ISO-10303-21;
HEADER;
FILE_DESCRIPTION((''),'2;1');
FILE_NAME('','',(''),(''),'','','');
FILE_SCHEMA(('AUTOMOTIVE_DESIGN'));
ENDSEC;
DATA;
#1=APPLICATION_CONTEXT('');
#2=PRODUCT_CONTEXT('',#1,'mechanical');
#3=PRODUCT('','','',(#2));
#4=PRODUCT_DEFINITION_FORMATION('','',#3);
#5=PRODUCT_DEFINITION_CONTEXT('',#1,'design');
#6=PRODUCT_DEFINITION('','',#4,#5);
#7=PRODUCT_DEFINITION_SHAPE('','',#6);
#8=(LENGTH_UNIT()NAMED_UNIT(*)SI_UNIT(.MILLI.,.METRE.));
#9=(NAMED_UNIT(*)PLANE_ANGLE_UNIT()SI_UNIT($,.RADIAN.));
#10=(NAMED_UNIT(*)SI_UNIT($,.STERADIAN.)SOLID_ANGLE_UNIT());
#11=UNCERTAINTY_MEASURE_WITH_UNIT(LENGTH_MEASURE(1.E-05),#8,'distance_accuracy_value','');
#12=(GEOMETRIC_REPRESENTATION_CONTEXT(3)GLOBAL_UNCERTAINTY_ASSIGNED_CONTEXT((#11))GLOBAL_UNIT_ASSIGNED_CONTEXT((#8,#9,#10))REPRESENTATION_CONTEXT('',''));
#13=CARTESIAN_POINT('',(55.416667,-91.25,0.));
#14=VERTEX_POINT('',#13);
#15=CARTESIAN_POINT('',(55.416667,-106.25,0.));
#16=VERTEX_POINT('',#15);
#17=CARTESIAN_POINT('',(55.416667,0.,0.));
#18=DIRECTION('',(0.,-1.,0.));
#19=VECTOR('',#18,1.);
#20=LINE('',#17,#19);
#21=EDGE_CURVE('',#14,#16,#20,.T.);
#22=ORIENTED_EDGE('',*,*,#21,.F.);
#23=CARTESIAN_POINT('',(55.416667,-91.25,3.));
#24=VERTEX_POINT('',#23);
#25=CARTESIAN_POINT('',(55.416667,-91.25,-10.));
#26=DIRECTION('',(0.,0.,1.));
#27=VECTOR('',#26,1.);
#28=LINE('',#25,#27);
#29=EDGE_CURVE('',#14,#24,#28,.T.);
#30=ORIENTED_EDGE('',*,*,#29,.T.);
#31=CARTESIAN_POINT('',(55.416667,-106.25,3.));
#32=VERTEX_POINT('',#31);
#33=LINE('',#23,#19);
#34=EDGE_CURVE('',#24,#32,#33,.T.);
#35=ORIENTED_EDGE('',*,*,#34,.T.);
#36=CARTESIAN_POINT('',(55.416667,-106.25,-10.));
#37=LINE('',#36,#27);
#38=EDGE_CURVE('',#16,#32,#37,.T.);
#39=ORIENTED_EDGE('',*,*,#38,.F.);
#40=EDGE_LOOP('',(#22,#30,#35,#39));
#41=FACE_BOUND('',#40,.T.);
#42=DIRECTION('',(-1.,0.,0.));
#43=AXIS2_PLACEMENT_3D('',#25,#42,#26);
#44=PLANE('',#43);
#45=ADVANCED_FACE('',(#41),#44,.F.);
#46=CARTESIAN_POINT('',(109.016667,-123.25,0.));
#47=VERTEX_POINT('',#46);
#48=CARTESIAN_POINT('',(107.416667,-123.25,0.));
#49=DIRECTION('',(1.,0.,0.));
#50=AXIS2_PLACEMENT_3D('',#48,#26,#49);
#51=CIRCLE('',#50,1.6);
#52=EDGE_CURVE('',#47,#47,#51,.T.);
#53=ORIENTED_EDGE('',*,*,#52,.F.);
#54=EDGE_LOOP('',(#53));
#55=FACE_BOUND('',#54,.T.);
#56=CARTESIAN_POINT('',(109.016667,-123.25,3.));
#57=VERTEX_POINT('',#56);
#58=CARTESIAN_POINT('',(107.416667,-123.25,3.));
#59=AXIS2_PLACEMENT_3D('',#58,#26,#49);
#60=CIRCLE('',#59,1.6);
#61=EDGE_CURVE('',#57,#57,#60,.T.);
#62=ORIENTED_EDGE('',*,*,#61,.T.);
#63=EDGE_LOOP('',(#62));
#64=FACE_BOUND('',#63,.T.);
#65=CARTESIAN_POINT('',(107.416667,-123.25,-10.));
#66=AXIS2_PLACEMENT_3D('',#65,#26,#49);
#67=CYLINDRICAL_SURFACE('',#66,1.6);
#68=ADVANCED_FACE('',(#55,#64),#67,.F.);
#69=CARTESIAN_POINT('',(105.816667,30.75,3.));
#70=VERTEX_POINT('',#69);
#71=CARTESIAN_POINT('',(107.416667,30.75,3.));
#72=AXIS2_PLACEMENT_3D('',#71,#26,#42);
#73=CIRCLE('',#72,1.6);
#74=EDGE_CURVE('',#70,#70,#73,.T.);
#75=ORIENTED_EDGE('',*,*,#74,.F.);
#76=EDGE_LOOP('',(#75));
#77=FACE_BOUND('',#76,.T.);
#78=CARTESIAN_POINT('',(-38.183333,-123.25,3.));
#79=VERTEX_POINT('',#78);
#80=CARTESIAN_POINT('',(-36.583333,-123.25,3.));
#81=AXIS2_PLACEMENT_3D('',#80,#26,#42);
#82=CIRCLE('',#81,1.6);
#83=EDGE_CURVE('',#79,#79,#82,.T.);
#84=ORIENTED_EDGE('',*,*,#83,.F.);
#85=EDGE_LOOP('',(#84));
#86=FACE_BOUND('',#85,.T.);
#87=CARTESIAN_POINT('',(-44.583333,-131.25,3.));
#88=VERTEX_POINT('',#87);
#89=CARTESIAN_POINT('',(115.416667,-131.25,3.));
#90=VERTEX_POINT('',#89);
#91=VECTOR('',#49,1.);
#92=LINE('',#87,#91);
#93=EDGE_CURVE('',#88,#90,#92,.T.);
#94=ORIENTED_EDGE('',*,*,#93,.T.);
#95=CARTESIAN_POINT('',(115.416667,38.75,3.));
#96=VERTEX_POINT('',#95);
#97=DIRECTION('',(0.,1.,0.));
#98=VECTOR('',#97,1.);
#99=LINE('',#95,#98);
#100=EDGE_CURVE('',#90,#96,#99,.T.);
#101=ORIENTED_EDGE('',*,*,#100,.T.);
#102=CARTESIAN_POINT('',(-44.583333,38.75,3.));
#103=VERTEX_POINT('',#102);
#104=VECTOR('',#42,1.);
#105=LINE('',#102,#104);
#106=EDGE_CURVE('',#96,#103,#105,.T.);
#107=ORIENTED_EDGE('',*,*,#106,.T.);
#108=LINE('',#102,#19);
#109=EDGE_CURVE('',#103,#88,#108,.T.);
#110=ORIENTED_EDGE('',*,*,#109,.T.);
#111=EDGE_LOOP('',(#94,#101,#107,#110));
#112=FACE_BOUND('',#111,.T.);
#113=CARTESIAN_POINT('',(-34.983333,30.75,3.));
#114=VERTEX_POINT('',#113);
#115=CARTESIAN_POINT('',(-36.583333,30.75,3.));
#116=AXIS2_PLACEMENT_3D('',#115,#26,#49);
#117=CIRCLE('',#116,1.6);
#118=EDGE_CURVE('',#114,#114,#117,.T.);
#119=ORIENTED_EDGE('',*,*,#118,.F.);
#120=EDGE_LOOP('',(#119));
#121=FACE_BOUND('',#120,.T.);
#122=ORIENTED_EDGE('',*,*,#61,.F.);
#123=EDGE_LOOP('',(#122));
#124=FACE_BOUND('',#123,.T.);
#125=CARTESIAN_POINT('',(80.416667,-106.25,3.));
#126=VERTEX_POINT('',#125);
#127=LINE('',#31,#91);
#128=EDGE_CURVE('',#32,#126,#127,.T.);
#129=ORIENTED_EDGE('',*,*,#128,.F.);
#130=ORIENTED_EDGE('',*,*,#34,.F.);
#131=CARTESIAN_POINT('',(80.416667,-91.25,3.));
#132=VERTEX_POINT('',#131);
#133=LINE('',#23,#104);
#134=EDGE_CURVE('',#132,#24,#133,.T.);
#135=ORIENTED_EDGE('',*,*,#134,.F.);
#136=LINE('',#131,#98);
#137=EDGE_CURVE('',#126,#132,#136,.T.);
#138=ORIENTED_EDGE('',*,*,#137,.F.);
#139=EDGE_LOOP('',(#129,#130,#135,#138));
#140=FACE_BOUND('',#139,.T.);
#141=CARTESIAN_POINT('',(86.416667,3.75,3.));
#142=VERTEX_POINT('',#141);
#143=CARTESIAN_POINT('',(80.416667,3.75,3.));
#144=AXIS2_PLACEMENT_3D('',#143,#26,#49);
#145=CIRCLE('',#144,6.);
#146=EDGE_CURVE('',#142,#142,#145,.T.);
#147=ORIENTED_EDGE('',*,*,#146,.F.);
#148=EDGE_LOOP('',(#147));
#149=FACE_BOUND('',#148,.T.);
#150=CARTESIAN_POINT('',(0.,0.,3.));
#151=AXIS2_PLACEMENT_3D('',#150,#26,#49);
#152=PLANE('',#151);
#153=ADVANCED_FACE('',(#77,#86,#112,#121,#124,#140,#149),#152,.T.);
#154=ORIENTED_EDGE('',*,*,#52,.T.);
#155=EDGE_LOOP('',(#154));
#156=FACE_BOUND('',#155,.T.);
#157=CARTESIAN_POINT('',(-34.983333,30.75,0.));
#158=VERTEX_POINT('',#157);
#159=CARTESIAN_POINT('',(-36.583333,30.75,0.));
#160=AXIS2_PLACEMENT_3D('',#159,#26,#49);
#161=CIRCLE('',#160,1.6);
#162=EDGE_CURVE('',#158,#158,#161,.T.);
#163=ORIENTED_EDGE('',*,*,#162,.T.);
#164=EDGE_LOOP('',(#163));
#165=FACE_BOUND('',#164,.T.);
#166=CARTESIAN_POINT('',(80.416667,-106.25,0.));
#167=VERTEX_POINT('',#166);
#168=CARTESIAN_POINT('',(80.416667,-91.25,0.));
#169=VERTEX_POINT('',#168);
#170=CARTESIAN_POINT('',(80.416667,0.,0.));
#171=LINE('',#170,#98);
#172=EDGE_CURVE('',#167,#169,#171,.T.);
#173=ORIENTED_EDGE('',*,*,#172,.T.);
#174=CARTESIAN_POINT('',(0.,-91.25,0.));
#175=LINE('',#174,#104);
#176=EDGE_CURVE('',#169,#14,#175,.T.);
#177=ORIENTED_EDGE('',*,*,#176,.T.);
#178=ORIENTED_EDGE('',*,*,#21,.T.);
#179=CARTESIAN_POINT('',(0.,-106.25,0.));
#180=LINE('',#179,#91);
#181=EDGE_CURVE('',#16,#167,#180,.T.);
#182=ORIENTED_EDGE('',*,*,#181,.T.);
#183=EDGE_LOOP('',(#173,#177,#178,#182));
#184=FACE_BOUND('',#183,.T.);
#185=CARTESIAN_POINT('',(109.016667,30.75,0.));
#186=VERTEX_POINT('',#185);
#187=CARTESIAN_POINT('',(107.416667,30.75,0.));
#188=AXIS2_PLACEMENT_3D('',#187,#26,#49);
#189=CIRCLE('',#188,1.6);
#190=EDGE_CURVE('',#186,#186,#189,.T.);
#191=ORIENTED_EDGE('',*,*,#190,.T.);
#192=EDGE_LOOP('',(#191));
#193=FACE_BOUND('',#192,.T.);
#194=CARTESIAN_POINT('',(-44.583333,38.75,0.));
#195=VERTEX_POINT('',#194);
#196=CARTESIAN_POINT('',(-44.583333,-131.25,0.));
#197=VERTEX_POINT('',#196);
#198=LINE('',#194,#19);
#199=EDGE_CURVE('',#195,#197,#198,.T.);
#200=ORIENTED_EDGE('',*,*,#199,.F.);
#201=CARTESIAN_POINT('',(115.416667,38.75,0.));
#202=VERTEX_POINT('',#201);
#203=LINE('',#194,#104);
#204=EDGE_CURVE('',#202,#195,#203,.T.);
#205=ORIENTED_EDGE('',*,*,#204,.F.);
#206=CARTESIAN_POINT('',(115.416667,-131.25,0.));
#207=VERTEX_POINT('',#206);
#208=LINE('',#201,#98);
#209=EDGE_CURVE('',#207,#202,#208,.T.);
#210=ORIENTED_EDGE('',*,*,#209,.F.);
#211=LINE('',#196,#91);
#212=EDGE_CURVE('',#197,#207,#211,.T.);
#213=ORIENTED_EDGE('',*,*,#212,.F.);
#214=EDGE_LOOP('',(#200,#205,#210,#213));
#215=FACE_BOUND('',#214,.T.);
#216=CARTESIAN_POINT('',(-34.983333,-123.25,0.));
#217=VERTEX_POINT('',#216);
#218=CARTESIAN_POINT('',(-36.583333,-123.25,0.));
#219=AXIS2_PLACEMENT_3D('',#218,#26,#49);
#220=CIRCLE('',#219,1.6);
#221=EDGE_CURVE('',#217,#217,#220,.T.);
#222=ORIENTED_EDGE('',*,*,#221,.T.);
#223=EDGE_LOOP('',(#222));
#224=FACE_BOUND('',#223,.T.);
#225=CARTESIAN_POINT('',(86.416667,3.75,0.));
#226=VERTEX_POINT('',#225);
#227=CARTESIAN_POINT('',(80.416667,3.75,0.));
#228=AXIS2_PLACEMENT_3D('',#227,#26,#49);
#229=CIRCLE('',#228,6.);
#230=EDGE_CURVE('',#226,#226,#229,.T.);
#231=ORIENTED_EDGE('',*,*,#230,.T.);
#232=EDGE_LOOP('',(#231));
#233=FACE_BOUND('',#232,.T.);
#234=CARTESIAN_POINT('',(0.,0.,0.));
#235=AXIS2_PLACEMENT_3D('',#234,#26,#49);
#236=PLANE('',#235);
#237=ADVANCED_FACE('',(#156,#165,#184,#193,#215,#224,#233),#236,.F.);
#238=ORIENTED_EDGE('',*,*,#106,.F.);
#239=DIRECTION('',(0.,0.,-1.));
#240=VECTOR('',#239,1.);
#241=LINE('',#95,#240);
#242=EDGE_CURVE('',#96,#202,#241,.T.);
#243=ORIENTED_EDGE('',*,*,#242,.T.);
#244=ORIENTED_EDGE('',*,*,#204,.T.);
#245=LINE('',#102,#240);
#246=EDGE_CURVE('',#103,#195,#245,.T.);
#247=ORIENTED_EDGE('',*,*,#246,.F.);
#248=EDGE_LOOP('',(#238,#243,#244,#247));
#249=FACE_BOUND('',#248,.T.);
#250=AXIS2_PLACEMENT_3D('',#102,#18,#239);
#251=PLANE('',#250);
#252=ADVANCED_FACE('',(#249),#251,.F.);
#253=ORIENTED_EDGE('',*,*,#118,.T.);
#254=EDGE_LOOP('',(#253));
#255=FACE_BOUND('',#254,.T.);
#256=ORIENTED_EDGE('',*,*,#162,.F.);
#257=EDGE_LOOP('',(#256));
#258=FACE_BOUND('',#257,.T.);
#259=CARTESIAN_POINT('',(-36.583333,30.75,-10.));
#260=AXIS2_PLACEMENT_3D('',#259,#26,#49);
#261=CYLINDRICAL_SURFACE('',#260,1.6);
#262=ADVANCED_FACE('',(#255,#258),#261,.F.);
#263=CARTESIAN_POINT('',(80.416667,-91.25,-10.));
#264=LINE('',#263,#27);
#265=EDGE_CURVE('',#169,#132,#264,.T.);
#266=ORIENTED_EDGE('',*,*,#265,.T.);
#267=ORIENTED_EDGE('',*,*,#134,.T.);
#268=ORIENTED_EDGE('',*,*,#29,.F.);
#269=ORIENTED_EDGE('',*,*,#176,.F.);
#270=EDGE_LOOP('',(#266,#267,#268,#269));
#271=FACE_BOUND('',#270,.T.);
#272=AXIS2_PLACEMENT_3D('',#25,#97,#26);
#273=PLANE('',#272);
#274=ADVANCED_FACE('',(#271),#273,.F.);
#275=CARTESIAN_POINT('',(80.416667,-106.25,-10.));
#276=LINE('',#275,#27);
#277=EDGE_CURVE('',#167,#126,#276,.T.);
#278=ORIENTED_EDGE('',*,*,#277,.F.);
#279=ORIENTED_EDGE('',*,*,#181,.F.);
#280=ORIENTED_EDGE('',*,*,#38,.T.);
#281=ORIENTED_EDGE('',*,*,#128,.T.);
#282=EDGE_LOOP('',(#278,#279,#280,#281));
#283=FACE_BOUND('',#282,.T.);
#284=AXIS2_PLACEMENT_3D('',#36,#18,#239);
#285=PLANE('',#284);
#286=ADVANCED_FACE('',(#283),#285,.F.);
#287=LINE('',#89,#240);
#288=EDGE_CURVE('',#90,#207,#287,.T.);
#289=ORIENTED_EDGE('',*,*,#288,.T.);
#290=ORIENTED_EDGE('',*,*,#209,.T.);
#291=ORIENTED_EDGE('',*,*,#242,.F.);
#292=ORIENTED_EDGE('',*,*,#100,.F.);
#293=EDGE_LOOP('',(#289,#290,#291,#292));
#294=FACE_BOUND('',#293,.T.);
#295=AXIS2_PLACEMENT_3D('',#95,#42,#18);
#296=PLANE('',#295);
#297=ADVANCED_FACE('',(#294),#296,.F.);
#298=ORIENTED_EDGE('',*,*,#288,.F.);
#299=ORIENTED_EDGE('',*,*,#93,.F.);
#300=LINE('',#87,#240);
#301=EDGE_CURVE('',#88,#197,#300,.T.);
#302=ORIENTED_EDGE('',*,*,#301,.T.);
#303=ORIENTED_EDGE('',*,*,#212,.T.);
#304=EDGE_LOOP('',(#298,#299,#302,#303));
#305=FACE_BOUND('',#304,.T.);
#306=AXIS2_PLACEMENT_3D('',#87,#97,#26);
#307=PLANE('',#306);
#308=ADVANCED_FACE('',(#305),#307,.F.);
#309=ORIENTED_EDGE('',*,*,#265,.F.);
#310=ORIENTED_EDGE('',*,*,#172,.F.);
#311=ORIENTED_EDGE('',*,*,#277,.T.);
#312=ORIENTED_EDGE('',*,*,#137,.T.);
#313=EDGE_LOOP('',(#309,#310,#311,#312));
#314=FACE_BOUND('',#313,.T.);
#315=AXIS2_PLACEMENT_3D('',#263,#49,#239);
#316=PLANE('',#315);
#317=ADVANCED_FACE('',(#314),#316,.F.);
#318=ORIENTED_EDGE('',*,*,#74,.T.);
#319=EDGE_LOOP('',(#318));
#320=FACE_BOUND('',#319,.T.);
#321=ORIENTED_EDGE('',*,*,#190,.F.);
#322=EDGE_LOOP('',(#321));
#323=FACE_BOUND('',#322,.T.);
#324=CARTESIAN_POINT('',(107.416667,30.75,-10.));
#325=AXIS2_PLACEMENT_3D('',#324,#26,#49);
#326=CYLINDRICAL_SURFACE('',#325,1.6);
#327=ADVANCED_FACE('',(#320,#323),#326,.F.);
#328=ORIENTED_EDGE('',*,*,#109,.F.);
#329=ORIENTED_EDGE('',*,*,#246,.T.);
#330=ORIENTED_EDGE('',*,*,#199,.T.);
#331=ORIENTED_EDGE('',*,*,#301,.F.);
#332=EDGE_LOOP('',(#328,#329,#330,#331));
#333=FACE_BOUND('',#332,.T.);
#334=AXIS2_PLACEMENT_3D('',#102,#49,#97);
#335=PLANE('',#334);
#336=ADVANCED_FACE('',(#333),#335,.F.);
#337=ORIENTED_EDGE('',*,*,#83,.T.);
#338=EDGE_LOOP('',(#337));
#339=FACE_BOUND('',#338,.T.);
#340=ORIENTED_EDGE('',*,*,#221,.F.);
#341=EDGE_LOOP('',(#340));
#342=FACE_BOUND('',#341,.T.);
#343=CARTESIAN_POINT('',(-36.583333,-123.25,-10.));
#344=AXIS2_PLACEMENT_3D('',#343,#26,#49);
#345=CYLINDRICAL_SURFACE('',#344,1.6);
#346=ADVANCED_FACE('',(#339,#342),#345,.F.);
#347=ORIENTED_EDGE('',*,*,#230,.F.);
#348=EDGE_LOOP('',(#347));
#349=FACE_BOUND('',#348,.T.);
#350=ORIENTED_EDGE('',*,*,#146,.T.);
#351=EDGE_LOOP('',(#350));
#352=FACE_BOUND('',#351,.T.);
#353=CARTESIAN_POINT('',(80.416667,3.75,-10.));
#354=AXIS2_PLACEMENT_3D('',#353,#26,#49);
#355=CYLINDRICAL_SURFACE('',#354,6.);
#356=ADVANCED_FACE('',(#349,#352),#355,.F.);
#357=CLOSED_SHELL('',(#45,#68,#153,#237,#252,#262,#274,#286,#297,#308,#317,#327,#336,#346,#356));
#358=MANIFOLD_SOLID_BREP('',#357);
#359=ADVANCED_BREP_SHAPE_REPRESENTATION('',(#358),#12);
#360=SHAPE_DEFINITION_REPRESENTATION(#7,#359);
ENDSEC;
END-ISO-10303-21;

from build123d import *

# Parameters (mm, degrees)
SKETCH_1_W          = 160
SKETCH_1_H          = 170
EXTRUDE_1_DEPTH     = 3
SKETCH_2_R          = 1.6
CUT_EXTRUDE_1_DEPTH = 13
SKETCH_3_R          = 6
CUT_EXTRUDE_2_DEPTH = 13
SKETCH_4_W          = 25
SKETCH_4_H          = 15
CUT_EXTRUDE_3_DEPTH = 13


with BuildPart() as part:
    # 草图1 → 凸台-拉伸1 (new body)
    with BuildSketch(Plane.XY):
        with Locations((35.416666667, -46.25)):
            Rectangle(SKETCH_1_W, SKETCH_1_H)
    extrude(amount=EXTRUDE_1_DEPTH)

    # 草图2 → 切除-拉伸1 (cut)
    with BuildSketch(Plane.XY.offset(3)):
        with Locations((-36.583333333, 30.75)):
            Circle(SKETCH_2_R)
        with Locations((107.416666667, 30.75)):
            Circle(SKETCH_2_R)
        with Locations((107.416666667, -123.25)):
            Circle(SKETCH_2_R)
        with Locations((-36.583333333, -123.25)):
            Circle(SKETCH_2_R)
    extrude(amount=-CUT_EXTRUDE_1_DEPTH, mode=Mode.SUBTRACT)

    # 草图3 → 切除-拉伸2 (cut)
    with BuildSketch(Plane.XY.offset(3)):
        with Locations((80.416666667, 3.75)):
            Circle(SKETCH_3_R)
    extrude(amount=-CUT_EXTRUDE_2_DEPTH, mode=Mode.SUBTRACT)

    # 草图4 → 切除-拉伸3 (cut)
    with BuildSketch(Plane.XY.offset(3)):
        with Locations((67.916666667, -98.75)):
            Rectangle(SKETCH_4_W, SKETCH_4_H)
    extrude(amount=-CUT_EXTRUDE_3_DEPTH, mode=Mode.SUBTRACT)


solid = part.part
